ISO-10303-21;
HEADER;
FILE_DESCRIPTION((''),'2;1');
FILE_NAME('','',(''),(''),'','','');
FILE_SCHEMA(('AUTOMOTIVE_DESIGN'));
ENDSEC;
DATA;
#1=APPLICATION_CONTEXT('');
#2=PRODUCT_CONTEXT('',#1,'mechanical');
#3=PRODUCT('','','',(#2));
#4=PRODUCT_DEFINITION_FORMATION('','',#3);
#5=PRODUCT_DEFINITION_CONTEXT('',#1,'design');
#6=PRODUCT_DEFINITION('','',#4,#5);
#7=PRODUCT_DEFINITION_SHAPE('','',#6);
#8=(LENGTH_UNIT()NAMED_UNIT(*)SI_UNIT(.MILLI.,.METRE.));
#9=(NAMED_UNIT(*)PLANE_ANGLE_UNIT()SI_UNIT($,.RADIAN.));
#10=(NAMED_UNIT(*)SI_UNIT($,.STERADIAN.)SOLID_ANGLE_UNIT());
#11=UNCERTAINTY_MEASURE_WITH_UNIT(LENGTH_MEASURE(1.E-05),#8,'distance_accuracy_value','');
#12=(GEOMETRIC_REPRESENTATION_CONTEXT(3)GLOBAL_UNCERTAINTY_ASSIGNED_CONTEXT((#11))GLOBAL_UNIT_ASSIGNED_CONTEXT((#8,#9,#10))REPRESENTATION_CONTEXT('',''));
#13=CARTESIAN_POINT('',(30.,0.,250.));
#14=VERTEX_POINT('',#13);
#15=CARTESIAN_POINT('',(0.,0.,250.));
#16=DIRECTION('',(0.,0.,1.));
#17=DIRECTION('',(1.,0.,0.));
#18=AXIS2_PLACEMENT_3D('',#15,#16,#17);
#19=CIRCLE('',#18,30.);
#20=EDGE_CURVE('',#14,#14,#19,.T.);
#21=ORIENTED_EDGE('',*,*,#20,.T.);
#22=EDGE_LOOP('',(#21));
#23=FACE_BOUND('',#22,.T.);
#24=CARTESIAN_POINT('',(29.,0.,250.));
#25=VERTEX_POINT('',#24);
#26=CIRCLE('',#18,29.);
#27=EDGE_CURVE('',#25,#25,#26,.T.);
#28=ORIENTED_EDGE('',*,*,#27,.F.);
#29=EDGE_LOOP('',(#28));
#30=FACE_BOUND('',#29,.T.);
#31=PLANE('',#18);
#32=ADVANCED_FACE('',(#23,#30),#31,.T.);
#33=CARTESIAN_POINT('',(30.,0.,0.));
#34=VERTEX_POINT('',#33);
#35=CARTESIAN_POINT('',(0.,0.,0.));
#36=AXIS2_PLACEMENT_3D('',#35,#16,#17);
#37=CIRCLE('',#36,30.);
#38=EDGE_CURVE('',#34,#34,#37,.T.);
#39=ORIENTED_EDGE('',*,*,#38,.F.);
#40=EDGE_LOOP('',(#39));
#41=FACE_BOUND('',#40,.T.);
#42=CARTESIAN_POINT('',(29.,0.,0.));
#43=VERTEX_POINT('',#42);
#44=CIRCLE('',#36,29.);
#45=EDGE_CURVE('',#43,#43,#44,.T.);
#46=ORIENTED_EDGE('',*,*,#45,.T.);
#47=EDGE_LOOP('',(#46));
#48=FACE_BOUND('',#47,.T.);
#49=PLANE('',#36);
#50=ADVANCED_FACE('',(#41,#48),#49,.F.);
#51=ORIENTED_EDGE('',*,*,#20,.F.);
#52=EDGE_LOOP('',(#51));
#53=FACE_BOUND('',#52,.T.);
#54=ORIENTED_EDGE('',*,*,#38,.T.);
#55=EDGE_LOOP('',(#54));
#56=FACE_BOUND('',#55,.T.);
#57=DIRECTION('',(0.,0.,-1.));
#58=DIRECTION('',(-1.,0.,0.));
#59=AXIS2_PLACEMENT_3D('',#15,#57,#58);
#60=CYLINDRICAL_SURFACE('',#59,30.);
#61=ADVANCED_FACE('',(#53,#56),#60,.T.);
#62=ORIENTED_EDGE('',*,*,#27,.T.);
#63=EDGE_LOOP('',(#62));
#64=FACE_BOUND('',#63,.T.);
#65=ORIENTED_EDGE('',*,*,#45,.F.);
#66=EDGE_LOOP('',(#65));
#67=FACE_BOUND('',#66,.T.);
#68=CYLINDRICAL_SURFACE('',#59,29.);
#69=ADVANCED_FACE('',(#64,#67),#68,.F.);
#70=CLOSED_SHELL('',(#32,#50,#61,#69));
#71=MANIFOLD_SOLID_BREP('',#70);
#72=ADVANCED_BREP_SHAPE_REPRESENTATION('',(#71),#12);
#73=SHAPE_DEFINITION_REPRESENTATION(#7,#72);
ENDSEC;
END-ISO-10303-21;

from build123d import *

# Parameters (mm, degrees)
ESQUISSE1_R        = 30
ESQUISSE1_R_2      = 29
BOSS_EXTRU_1_DEPTH = 250


with BuildPart() as part:
    # Esquisse1 → Boss.-Extru.1 (new body)
    with BuildSketch(Plane.XY):
        Circle(ESQUISSE1_R)
        Circle(ESQUISSE1_R_2, mode=Mode.SUBTRACT)
    extrude(amount=BOSS_EXTRU_1_DEPTH)


solid = part.part
